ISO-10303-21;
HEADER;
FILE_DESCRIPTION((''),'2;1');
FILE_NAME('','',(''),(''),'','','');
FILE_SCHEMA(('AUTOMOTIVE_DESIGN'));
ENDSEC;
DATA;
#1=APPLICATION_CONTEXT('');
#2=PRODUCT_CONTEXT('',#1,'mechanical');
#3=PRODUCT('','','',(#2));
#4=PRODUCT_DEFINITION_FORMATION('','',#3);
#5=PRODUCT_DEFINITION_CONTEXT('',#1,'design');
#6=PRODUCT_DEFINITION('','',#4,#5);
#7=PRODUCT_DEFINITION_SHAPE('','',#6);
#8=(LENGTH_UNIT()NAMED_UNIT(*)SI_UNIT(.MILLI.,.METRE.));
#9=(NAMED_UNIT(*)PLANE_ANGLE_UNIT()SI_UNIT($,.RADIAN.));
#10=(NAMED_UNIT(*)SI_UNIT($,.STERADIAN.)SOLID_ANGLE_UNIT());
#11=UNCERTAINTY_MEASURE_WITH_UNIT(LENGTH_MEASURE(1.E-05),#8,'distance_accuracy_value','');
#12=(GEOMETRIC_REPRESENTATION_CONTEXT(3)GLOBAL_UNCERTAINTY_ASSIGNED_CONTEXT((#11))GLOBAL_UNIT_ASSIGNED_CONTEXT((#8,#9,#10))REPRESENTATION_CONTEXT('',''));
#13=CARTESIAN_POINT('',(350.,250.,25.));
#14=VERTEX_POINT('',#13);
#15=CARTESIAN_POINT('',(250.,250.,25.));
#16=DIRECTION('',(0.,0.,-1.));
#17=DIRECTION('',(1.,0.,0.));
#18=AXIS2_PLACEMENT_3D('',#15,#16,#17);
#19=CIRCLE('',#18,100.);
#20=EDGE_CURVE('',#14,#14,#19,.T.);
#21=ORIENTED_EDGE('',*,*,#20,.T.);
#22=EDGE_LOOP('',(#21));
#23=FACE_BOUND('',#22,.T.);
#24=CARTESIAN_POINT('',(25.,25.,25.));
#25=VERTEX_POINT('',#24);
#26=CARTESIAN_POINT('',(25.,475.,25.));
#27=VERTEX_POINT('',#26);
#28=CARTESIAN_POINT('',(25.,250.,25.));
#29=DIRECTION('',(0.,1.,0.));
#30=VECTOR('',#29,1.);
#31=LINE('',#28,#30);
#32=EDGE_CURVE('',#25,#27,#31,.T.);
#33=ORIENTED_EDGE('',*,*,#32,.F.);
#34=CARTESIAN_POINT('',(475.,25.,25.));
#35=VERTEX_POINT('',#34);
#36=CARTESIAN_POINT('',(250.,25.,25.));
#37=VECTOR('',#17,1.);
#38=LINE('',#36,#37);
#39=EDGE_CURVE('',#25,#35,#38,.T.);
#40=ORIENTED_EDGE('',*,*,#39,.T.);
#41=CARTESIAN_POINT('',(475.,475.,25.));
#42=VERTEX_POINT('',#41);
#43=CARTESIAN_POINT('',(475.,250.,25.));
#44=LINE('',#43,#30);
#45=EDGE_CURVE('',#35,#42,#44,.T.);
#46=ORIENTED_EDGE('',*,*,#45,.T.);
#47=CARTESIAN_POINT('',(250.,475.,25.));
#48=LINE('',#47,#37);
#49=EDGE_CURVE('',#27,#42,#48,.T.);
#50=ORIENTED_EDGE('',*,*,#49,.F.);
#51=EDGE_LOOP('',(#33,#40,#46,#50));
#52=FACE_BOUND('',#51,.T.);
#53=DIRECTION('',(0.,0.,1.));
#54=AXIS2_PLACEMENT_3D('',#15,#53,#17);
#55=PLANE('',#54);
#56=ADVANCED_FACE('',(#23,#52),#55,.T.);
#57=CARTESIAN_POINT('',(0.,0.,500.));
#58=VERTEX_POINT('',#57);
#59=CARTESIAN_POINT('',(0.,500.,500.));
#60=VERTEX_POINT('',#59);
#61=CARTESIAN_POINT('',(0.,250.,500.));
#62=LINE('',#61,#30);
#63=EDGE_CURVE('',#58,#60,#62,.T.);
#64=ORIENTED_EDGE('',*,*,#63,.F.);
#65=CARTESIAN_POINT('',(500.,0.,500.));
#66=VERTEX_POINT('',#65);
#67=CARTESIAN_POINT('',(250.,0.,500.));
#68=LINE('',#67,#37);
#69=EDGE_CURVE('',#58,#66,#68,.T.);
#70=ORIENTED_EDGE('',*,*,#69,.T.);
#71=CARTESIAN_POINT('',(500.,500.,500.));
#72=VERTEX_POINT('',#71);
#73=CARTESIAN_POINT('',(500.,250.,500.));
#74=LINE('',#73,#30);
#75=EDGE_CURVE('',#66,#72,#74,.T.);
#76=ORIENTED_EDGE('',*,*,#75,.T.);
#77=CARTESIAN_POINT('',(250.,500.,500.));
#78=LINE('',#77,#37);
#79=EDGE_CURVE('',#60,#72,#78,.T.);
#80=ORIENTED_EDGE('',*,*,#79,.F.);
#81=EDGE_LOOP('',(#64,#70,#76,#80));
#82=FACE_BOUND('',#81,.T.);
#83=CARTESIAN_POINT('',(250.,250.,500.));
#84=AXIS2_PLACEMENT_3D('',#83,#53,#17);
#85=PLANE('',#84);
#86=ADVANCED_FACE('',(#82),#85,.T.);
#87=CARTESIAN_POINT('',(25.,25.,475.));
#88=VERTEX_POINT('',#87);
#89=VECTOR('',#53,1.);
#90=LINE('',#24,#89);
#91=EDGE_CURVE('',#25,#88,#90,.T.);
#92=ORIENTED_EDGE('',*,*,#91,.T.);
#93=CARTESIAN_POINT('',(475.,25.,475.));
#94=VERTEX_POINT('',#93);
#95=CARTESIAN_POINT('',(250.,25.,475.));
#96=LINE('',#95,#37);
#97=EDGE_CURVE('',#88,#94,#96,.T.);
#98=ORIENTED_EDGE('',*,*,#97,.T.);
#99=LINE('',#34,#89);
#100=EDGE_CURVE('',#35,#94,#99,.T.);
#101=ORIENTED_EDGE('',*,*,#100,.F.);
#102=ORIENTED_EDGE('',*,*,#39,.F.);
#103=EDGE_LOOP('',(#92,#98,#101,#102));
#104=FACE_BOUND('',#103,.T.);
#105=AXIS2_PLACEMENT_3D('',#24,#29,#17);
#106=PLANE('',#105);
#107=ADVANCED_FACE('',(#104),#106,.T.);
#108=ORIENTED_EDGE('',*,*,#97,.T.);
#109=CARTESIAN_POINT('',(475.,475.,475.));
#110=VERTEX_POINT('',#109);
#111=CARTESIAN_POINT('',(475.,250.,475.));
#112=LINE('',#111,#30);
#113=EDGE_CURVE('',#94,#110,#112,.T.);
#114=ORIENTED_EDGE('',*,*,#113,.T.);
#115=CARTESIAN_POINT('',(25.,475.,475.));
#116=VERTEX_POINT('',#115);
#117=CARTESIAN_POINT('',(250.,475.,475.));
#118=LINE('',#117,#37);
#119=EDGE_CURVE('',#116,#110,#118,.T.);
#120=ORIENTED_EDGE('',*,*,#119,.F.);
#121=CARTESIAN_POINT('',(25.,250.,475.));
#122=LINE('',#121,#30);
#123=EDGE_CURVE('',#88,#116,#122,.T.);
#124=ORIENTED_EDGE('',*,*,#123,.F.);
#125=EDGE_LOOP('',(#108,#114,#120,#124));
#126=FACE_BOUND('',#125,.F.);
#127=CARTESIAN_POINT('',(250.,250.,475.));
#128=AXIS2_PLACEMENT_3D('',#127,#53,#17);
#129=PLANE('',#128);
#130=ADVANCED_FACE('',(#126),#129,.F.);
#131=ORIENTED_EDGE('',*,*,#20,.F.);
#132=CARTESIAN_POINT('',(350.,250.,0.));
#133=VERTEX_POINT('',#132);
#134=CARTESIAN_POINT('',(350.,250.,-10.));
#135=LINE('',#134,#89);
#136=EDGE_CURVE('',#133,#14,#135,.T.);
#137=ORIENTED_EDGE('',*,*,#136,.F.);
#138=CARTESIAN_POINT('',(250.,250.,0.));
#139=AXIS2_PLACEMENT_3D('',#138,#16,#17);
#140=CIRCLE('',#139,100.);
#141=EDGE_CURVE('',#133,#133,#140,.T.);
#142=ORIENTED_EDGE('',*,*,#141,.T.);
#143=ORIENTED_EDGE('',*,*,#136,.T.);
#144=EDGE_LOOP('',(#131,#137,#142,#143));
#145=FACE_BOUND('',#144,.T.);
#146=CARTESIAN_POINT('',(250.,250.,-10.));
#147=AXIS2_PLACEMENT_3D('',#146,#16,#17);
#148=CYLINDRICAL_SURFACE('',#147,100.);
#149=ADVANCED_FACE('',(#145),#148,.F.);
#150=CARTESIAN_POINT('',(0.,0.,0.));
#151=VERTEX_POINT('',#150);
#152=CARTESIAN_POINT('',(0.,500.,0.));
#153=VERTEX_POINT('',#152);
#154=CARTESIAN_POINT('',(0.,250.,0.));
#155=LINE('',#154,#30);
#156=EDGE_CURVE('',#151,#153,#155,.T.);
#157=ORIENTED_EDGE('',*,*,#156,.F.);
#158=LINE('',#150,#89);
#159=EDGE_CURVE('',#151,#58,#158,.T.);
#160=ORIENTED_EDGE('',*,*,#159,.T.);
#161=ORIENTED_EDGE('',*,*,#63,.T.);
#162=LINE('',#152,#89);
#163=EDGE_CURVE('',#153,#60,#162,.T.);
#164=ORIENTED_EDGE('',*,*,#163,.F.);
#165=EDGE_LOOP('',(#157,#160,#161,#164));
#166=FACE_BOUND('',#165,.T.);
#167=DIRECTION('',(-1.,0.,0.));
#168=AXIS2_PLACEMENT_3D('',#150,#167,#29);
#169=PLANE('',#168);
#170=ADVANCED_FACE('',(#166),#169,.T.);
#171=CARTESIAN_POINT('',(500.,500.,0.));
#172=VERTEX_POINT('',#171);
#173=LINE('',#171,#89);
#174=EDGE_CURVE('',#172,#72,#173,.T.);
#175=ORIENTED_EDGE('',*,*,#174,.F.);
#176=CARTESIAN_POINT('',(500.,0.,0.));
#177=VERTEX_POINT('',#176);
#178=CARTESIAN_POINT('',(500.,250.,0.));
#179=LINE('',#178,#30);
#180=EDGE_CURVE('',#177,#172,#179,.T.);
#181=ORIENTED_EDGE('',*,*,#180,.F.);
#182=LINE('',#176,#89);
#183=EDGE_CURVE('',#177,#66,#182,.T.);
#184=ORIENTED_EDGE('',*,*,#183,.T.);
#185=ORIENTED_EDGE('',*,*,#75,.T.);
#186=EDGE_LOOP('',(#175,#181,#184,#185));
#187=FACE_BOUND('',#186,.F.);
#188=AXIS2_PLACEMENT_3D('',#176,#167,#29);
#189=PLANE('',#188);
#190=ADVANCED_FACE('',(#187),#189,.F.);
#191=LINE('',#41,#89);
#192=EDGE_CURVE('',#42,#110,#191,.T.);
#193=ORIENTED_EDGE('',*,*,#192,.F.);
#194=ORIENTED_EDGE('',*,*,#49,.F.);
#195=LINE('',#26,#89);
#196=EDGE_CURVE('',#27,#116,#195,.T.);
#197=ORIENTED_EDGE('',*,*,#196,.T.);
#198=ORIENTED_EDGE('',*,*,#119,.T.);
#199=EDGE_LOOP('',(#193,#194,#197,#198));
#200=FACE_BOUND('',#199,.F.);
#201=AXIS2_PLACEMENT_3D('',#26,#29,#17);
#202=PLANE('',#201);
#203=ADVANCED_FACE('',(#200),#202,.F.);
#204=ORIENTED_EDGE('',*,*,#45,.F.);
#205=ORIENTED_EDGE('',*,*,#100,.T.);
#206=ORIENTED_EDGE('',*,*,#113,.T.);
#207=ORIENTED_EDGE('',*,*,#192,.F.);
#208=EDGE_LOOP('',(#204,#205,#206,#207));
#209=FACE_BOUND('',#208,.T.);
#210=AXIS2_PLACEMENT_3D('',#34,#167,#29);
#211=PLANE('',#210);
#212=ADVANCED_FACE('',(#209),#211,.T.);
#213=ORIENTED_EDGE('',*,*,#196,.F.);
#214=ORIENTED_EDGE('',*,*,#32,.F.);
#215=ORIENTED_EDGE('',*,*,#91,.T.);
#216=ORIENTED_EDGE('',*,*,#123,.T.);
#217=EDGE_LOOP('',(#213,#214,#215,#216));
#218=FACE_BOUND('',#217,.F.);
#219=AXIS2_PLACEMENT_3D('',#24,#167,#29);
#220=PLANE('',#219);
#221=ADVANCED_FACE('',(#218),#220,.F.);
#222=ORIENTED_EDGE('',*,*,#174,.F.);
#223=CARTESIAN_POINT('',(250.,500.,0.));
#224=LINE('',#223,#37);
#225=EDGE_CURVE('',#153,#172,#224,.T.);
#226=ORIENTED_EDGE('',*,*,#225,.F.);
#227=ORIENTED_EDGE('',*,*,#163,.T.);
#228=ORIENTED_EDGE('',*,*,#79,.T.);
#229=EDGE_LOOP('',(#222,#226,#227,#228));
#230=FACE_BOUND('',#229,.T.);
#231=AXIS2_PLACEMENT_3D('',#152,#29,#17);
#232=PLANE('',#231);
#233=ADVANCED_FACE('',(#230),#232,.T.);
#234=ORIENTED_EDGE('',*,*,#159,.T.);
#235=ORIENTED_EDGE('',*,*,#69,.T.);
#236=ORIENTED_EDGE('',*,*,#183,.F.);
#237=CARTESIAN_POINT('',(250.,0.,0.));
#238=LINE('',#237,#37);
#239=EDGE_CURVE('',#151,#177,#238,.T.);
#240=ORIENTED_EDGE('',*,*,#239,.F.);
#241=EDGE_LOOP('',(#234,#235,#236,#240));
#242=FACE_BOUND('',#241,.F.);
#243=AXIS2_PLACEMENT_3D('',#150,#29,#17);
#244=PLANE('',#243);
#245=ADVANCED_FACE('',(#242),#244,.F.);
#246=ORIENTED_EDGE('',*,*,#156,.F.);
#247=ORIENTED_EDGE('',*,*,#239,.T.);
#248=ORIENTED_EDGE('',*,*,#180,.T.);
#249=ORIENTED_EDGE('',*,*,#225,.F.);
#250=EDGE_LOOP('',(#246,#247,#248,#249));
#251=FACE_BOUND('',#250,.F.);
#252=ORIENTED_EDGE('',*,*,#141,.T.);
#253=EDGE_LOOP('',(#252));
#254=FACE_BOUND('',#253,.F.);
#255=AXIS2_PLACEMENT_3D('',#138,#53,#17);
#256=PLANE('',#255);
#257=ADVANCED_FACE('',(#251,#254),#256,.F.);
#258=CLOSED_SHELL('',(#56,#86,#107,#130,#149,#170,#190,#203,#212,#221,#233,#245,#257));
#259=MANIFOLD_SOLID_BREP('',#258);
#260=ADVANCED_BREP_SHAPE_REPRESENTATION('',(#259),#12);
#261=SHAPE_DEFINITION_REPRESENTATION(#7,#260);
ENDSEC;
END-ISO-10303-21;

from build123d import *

# Parameters (mm, degrees)
CYLINDER_R     = 100
CYLINDER_DEPTH = 50
BOX001_W       = 450
BOX001_H       = 450
BOX001_DEPTH   = 450
BOX013_W       = 500
BOX013_H       = 500
BOX013_DEPTH   = 500


with BuildPart() as cylinder:
    # Cylinder → Cylinder (new body)
    with BuildSketch(Plane(origin=(250, 250, -10), x_dir=(1, 0, 0), z_dir=(0, 0, 1))):
        Circle(CYLINDER_R)
    extrude(amount=CYLINDER_DEPTH)


with BuildPart() as cube001:
    # Box001 → Box001 (new body)
    with BuildSketch(Plane(origin=(25, 25, 25), x_dir=(1, 0, 0), z_dir=(0, 0, 1))):
        with Locations((225, 225)):
            Rectangle(BOX001_W, BOX001_H)
    extrude(amount=BOX001_DEPTH)


with BuildPart() as vacuumchamber:
    # Box013 → Box013 (new body)
    with BuildSketch(Plane.XY):
        with Locations((250, 250)):
            Rectangle(BOX013_W, BOX013_H)
    extrude(amount=BOX013_DEPTH)

    # Cut006: cut Cube001
    add(cube001.part, mode=Mode.SUBTRACT)

    # Cut001: cut Cylinder
    add(cylinder.part, mode=Mode.SUBTRACT)


solid = vacuumchamber.part
